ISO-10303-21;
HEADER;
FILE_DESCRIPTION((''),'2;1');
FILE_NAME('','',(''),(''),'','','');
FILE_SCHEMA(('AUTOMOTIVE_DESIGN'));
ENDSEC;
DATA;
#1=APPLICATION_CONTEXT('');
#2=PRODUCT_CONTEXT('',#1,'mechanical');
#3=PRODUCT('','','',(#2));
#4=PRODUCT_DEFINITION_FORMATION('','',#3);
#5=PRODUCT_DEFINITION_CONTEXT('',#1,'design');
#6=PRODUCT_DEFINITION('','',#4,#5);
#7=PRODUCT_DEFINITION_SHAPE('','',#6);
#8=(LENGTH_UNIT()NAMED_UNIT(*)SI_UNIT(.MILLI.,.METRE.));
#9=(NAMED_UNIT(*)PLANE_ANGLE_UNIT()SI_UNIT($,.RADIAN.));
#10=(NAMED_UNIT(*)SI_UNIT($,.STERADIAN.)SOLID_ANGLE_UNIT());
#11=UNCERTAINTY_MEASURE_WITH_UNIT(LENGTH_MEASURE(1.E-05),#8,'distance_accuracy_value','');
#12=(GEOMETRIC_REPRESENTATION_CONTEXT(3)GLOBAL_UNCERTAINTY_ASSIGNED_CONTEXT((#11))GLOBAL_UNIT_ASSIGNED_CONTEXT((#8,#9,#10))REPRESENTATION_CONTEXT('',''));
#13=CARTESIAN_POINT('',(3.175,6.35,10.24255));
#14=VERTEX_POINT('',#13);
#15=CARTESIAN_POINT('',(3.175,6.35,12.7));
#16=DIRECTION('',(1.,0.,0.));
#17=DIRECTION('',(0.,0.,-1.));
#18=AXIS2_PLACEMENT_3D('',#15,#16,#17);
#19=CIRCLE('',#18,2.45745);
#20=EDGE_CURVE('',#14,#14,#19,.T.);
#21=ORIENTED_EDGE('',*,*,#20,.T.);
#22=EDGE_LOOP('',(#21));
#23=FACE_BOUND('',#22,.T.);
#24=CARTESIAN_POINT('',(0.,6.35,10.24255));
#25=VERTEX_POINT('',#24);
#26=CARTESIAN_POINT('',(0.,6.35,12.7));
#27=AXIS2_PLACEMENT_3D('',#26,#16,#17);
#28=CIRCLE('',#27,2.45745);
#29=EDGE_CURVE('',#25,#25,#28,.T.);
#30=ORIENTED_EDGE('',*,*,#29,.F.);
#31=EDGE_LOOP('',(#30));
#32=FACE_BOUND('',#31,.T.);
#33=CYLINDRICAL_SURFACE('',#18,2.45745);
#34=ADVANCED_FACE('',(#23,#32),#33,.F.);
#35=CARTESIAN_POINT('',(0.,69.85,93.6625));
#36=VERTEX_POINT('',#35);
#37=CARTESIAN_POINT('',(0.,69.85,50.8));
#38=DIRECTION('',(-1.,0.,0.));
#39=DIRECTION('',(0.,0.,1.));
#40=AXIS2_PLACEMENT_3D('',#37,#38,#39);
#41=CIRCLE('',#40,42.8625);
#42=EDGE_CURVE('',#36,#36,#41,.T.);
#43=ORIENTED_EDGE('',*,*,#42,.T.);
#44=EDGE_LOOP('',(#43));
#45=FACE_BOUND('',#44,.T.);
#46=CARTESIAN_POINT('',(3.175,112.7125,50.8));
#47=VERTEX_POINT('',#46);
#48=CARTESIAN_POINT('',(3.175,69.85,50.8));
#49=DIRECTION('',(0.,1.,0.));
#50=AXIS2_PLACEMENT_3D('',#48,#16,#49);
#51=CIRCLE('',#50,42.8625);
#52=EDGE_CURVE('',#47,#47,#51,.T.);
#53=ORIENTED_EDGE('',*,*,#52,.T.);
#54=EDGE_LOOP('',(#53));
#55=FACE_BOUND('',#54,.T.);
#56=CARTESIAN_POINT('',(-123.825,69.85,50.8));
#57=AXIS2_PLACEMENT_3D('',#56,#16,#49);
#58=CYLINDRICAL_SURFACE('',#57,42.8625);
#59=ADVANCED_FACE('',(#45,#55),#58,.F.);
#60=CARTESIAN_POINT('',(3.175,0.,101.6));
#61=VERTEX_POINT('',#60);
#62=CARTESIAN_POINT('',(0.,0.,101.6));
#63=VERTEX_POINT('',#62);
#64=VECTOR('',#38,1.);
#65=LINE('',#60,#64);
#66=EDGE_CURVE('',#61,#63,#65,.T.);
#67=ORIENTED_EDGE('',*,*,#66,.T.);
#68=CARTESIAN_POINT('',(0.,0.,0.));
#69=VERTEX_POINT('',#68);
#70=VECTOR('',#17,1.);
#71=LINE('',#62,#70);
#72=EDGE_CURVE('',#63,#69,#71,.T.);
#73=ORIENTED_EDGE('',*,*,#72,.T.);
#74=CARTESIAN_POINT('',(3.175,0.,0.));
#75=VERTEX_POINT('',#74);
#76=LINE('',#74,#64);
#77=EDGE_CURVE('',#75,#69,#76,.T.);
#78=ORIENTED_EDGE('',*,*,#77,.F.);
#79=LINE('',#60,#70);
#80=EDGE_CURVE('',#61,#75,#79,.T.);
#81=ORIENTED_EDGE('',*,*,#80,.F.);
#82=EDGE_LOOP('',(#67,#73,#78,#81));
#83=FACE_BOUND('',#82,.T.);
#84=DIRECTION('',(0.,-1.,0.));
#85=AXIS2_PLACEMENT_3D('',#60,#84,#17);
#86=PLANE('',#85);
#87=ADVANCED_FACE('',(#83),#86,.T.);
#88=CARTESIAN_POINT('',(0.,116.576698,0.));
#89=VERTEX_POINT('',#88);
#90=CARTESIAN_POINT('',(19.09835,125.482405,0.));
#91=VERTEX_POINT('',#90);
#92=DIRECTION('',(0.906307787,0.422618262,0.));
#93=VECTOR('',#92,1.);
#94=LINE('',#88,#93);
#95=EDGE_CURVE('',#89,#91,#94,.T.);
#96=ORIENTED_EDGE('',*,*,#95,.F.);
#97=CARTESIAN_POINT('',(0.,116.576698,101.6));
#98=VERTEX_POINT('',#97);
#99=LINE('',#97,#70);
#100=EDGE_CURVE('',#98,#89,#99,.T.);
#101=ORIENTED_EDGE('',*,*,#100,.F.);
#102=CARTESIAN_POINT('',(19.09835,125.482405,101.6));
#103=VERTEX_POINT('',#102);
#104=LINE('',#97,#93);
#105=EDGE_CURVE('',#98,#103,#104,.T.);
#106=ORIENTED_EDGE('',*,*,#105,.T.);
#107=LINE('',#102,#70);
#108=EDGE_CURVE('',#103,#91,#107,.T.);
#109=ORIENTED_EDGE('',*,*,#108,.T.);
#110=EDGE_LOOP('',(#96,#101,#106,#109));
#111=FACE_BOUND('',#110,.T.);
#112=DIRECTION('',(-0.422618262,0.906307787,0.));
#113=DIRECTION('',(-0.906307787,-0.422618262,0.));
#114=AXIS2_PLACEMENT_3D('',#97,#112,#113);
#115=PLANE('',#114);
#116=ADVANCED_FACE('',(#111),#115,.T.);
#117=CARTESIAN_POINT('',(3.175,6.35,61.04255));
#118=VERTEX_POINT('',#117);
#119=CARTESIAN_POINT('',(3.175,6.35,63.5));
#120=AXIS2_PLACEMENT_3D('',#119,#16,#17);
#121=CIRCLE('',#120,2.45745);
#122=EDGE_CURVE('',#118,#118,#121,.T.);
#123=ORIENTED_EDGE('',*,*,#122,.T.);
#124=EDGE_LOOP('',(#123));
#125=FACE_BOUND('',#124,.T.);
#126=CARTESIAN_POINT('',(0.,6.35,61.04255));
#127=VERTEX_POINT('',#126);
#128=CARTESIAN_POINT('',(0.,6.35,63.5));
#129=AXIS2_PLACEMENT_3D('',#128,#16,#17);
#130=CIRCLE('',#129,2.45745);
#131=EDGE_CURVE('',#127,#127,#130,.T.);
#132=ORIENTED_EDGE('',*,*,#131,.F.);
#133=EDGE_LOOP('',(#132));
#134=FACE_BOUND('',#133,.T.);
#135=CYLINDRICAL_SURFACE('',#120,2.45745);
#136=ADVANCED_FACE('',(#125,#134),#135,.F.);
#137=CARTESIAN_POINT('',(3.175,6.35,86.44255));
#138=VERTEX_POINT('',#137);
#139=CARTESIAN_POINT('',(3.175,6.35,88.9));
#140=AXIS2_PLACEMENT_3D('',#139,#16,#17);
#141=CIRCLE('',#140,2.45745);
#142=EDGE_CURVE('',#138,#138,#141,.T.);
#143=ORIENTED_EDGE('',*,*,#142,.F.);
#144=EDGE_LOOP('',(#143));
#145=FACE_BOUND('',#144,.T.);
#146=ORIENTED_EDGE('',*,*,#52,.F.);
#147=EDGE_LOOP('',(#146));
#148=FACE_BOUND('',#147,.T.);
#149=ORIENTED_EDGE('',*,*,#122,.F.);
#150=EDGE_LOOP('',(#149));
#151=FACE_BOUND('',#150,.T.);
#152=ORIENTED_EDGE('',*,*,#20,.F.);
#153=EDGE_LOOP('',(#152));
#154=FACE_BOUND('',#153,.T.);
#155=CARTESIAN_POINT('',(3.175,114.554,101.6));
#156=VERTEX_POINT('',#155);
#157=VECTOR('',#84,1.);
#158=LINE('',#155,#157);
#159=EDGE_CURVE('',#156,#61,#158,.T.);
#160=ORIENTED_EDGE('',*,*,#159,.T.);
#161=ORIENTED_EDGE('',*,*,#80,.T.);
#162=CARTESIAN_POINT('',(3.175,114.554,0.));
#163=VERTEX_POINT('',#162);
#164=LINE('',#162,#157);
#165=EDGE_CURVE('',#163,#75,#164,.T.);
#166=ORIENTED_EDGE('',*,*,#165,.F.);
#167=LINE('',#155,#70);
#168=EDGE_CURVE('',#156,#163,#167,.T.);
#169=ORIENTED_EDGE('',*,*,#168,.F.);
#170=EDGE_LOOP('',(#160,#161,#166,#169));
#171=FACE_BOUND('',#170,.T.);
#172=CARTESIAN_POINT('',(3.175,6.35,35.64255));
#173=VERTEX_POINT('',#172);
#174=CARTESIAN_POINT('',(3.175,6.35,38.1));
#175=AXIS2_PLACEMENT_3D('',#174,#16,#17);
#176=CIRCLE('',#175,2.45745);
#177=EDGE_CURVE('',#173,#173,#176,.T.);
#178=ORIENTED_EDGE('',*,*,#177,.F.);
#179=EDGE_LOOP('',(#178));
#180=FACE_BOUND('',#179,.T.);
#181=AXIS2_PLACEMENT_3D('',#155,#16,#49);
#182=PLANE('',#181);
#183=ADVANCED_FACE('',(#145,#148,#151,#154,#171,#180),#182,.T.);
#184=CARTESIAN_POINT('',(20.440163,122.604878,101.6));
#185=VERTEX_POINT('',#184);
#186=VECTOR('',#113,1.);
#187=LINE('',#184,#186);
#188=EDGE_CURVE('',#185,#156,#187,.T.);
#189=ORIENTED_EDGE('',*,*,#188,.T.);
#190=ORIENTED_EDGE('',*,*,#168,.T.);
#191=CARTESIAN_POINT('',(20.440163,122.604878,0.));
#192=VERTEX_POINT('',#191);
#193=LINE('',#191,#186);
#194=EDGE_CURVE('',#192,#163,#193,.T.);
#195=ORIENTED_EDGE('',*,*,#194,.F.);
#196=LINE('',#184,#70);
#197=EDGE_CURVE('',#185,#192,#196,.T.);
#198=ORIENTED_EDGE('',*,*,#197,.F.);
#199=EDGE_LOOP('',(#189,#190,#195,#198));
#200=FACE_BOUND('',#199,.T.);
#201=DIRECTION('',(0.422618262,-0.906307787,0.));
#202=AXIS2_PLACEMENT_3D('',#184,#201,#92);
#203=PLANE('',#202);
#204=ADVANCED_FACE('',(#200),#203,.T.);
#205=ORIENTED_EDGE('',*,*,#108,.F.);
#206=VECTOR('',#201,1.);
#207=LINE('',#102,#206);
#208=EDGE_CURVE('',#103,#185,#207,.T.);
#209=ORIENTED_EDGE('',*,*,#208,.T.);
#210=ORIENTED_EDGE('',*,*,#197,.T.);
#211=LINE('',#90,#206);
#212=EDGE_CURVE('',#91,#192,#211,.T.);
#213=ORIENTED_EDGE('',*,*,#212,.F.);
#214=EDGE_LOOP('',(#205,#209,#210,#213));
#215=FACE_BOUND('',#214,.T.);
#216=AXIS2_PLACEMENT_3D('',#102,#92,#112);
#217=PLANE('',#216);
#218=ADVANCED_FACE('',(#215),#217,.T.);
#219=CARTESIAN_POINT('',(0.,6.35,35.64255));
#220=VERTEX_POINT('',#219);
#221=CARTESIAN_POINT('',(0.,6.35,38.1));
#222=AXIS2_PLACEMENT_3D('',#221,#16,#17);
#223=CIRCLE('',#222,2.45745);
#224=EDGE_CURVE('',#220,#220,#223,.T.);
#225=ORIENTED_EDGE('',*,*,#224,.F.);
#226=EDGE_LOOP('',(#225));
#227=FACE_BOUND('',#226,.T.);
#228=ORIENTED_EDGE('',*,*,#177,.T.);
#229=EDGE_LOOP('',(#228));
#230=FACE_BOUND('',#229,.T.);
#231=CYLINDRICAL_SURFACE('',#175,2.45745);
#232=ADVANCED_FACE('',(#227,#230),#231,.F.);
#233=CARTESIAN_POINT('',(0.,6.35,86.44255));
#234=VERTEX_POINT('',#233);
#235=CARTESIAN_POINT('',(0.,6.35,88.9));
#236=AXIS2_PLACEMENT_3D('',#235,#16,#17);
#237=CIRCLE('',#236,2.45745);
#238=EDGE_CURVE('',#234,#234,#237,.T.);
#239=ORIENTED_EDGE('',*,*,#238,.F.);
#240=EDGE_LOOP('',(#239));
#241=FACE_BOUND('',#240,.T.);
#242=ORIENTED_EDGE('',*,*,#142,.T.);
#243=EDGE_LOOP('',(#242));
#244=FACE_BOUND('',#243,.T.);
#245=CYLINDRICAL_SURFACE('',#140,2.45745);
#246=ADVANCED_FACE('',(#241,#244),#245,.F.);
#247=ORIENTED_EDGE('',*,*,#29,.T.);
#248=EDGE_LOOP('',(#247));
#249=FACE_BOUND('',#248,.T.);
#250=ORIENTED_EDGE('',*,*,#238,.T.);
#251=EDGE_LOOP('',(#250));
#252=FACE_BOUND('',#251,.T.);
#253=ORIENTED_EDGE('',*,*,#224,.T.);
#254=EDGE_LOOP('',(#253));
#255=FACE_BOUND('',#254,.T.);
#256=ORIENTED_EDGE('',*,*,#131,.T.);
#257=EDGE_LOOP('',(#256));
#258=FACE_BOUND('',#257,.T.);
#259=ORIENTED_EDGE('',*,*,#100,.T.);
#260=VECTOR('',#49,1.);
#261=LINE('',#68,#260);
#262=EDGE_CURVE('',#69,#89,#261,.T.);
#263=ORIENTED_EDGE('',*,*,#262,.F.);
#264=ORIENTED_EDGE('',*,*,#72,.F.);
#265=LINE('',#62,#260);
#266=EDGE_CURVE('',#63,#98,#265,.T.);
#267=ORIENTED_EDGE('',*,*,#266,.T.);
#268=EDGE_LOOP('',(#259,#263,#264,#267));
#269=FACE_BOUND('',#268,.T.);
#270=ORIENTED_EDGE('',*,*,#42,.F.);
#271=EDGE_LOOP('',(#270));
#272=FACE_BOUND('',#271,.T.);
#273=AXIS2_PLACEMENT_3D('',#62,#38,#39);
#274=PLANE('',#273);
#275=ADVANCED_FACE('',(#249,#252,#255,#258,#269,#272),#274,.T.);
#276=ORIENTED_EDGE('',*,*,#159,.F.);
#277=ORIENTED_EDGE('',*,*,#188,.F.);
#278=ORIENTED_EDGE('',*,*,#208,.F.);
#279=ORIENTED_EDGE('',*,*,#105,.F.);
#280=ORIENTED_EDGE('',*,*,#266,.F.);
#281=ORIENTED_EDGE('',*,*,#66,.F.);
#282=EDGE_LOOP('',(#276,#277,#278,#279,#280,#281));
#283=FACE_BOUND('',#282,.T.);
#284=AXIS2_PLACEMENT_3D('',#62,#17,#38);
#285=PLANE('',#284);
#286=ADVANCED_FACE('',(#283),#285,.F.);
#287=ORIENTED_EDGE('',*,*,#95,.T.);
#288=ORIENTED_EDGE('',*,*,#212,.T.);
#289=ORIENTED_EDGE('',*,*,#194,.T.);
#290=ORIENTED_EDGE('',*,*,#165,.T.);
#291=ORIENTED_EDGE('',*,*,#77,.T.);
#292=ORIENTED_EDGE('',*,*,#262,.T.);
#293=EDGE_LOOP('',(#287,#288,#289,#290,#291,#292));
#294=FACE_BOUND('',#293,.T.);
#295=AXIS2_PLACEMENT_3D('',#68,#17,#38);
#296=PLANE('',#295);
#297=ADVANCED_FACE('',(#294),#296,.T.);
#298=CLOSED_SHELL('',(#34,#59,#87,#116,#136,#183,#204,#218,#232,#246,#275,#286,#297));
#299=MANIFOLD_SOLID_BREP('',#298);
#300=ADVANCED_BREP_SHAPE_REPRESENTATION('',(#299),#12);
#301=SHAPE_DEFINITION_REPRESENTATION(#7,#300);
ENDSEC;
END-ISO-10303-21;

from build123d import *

# Parameters (mm, degrees)
BOSS_EXTRUDE1_DEPTH          = 101.6
F_10_0_1935_DIAMETER_HOLE1_D = 4.9149
SKETCH4_R                    = 42.8625
CUT_EXTRUDE1_DEPTH           = 127


with BuildPart() as part:
    # Sketch1 → Boss-Extrude1 (new body)
    with BuildSketch(Plane.XY):
        Polygon((0, 0), (0, 116.576698078), (19.098350362, 125.48240511), (20.440163343, 122.604877886), (3.175, 114.554), (3.175, 0), align=None)
    extrude(amount=BOSS_EXTRUDE1_DEPTH)

    # #10 (0.1935) Diameter Hole1 (through all)
    with Locations(Plane(origin=(3.175, 0, 0), x_dir=(0, 0, -1), z_dir=(1, 0, 0))):
        with Locations((-88.9, 6.35), (-63.5, 6.35), (-38.1, 6.35), (-12.7, 6.35)):
            Hole(F_10_0_1935_DIAMETER_HOLE1_D / 2)

    # Sketch4 → Cut-Extrude1 (cut)
    with BuildSketch(Plane(origin=(3.175, 0, 0), x_dir=(0, 0, -1), z_dir=(1, 0, 0))):
        with Locations((-50.8, 69.85)):
            Circle(SKETCH4_R)
    extrude(amount=-CUT_EXTRUDE1_DEPTH, mode=Mode.SUBTRACT)


solid = part.part
